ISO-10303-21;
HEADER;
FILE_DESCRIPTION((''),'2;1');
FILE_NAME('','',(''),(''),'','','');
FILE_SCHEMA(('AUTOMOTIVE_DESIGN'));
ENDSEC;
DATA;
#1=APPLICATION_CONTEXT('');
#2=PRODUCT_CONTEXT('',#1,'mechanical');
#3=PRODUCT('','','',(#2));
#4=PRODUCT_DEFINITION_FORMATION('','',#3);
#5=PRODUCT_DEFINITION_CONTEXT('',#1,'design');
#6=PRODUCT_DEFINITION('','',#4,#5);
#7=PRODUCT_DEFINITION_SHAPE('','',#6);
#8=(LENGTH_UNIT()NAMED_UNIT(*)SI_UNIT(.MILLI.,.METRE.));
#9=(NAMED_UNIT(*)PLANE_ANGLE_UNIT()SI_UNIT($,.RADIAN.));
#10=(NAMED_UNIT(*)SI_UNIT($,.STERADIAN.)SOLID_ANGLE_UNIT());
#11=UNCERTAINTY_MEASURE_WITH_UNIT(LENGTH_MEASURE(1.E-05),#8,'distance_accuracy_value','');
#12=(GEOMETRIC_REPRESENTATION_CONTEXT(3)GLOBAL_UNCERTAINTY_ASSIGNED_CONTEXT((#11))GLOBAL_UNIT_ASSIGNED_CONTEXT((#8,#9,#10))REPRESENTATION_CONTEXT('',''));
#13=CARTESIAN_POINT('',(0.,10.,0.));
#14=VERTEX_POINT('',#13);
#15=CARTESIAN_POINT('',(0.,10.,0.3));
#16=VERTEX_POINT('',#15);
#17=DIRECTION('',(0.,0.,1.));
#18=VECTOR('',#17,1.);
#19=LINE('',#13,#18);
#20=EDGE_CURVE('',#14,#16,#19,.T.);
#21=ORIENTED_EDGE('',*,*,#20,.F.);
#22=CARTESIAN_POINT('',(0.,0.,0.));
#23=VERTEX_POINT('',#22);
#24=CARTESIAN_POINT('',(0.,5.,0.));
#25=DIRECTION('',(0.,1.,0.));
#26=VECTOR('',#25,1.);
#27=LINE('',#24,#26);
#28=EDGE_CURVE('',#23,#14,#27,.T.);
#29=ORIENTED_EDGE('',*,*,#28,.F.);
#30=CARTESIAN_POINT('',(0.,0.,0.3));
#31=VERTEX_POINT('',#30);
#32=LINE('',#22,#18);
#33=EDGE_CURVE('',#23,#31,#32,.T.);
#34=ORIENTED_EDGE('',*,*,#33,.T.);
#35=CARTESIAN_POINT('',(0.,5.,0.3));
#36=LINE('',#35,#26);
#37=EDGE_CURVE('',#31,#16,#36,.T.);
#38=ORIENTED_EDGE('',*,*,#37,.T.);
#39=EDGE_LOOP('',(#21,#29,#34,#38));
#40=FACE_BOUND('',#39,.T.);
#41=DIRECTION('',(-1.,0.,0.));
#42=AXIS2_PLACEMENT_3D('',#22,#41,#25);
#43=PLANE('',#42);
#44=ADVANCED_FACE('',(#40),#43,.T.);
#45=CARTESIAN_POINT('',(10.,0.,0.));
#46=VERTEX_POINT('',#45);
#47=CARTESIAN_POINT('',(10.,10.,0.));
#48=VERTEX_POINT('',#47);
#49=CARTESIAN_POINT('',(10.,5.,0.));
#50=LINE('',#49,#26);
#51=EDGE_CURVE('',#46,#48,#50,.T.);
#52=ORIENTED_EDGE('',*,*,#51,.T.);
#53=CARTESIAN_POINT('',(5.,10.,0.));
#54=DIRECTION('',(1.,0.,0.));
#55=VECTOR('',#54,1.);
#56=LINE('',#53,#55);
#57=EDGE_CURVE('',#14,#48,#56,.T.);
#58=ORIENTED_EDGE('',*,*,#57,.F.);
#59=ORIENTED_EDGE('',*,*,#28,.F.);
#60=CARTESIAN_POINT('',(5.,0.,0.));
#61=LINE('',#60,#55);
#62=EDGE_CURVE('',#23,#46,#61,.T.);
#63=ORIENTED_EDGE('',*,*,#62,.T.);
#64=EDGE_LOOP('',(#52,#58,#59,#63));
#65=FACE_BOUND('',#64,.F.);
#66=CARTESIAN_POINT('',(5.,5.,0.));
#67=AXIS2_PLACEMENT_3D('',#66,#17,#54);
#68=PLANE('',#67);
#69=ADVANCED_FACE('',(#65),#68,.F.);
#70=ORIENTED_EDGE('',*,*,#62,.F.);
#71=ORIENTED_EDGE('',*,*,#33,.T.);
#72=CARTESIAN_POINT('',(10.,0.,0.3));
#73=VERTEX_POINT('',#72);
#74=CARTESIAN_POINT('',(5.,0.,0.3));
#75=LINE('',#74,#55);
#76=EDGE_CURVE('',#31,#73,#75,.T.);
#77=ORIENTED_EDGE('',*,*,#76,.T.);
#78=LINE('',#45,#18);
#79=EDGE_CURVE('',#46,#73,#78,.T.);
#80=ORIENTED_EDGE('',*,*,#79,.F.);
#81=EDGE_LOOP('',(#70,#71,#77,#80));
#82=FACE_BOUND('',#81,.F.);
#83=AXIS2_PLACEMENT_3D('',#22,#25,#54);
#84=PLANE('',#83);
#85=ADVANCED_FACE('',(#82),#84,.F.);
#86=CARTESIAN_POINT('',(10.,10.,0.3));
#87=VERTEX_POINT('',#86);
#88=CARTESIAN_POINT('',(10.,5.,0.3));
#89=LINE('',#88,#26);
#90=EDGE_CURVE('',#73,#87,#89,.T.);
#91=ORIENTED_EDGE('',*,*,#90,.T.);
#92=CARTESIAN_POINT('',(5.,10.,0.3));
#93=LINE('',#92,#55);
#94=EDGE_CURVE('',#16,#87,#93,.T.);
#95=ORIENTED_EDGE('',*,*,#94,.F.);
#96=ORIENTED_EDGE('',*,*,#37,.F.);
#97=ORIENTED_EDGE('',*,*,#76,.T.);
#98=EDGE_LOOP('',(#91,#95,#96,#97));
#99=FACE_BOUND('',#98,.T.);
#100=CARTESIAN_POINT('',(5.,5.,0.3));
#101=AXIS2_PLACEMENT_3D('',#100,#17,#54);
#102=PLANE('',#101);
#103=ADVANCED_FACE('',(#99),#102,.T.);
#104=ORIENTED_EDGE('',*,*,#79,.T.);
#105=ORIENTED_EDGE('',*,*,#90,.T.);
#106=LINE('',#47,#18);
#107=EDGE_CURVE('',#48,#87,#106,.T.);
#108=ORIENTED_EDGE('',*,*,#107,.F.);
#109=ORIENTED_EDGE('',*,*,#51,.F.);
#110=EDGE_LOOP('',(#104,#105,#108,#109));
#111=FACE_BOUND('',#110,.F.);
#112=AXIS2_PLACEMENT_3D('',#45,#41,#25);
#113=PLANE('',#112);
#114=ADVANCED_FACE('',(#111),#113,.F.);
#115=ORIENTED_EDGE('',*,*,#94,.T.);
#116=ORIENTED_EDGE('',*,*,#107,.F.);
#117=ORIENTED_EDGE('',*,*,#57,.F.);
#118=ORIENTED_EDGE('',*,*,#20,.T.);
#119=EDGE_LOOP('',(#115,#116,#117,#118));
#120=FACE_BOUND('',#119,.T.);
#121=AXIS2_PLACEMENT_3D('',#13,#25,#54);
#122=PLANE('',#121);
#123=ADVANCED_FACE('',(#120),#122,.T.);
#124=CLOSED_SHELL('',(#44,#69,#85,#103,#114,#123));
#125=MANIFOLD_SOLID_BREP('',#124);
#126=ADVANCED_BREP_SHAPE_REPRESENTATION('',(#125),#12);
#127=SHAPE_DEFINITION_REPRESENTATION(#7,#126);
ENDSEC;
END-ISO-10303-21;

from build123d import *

# Parameters (mm, degrees)
BOX_W     = 10
BOX_H     = 10
BOX_DEPTH = 0.3


with BuildPart() as part:
    # Box → Box (new body)
    with BuildSketch(Plane.XY):
        with Locations((5, 5)):
            Rectangle(BOX_W, BOX_H)
    extrude(amount=BOX_DEPTH)


solid = part.part
